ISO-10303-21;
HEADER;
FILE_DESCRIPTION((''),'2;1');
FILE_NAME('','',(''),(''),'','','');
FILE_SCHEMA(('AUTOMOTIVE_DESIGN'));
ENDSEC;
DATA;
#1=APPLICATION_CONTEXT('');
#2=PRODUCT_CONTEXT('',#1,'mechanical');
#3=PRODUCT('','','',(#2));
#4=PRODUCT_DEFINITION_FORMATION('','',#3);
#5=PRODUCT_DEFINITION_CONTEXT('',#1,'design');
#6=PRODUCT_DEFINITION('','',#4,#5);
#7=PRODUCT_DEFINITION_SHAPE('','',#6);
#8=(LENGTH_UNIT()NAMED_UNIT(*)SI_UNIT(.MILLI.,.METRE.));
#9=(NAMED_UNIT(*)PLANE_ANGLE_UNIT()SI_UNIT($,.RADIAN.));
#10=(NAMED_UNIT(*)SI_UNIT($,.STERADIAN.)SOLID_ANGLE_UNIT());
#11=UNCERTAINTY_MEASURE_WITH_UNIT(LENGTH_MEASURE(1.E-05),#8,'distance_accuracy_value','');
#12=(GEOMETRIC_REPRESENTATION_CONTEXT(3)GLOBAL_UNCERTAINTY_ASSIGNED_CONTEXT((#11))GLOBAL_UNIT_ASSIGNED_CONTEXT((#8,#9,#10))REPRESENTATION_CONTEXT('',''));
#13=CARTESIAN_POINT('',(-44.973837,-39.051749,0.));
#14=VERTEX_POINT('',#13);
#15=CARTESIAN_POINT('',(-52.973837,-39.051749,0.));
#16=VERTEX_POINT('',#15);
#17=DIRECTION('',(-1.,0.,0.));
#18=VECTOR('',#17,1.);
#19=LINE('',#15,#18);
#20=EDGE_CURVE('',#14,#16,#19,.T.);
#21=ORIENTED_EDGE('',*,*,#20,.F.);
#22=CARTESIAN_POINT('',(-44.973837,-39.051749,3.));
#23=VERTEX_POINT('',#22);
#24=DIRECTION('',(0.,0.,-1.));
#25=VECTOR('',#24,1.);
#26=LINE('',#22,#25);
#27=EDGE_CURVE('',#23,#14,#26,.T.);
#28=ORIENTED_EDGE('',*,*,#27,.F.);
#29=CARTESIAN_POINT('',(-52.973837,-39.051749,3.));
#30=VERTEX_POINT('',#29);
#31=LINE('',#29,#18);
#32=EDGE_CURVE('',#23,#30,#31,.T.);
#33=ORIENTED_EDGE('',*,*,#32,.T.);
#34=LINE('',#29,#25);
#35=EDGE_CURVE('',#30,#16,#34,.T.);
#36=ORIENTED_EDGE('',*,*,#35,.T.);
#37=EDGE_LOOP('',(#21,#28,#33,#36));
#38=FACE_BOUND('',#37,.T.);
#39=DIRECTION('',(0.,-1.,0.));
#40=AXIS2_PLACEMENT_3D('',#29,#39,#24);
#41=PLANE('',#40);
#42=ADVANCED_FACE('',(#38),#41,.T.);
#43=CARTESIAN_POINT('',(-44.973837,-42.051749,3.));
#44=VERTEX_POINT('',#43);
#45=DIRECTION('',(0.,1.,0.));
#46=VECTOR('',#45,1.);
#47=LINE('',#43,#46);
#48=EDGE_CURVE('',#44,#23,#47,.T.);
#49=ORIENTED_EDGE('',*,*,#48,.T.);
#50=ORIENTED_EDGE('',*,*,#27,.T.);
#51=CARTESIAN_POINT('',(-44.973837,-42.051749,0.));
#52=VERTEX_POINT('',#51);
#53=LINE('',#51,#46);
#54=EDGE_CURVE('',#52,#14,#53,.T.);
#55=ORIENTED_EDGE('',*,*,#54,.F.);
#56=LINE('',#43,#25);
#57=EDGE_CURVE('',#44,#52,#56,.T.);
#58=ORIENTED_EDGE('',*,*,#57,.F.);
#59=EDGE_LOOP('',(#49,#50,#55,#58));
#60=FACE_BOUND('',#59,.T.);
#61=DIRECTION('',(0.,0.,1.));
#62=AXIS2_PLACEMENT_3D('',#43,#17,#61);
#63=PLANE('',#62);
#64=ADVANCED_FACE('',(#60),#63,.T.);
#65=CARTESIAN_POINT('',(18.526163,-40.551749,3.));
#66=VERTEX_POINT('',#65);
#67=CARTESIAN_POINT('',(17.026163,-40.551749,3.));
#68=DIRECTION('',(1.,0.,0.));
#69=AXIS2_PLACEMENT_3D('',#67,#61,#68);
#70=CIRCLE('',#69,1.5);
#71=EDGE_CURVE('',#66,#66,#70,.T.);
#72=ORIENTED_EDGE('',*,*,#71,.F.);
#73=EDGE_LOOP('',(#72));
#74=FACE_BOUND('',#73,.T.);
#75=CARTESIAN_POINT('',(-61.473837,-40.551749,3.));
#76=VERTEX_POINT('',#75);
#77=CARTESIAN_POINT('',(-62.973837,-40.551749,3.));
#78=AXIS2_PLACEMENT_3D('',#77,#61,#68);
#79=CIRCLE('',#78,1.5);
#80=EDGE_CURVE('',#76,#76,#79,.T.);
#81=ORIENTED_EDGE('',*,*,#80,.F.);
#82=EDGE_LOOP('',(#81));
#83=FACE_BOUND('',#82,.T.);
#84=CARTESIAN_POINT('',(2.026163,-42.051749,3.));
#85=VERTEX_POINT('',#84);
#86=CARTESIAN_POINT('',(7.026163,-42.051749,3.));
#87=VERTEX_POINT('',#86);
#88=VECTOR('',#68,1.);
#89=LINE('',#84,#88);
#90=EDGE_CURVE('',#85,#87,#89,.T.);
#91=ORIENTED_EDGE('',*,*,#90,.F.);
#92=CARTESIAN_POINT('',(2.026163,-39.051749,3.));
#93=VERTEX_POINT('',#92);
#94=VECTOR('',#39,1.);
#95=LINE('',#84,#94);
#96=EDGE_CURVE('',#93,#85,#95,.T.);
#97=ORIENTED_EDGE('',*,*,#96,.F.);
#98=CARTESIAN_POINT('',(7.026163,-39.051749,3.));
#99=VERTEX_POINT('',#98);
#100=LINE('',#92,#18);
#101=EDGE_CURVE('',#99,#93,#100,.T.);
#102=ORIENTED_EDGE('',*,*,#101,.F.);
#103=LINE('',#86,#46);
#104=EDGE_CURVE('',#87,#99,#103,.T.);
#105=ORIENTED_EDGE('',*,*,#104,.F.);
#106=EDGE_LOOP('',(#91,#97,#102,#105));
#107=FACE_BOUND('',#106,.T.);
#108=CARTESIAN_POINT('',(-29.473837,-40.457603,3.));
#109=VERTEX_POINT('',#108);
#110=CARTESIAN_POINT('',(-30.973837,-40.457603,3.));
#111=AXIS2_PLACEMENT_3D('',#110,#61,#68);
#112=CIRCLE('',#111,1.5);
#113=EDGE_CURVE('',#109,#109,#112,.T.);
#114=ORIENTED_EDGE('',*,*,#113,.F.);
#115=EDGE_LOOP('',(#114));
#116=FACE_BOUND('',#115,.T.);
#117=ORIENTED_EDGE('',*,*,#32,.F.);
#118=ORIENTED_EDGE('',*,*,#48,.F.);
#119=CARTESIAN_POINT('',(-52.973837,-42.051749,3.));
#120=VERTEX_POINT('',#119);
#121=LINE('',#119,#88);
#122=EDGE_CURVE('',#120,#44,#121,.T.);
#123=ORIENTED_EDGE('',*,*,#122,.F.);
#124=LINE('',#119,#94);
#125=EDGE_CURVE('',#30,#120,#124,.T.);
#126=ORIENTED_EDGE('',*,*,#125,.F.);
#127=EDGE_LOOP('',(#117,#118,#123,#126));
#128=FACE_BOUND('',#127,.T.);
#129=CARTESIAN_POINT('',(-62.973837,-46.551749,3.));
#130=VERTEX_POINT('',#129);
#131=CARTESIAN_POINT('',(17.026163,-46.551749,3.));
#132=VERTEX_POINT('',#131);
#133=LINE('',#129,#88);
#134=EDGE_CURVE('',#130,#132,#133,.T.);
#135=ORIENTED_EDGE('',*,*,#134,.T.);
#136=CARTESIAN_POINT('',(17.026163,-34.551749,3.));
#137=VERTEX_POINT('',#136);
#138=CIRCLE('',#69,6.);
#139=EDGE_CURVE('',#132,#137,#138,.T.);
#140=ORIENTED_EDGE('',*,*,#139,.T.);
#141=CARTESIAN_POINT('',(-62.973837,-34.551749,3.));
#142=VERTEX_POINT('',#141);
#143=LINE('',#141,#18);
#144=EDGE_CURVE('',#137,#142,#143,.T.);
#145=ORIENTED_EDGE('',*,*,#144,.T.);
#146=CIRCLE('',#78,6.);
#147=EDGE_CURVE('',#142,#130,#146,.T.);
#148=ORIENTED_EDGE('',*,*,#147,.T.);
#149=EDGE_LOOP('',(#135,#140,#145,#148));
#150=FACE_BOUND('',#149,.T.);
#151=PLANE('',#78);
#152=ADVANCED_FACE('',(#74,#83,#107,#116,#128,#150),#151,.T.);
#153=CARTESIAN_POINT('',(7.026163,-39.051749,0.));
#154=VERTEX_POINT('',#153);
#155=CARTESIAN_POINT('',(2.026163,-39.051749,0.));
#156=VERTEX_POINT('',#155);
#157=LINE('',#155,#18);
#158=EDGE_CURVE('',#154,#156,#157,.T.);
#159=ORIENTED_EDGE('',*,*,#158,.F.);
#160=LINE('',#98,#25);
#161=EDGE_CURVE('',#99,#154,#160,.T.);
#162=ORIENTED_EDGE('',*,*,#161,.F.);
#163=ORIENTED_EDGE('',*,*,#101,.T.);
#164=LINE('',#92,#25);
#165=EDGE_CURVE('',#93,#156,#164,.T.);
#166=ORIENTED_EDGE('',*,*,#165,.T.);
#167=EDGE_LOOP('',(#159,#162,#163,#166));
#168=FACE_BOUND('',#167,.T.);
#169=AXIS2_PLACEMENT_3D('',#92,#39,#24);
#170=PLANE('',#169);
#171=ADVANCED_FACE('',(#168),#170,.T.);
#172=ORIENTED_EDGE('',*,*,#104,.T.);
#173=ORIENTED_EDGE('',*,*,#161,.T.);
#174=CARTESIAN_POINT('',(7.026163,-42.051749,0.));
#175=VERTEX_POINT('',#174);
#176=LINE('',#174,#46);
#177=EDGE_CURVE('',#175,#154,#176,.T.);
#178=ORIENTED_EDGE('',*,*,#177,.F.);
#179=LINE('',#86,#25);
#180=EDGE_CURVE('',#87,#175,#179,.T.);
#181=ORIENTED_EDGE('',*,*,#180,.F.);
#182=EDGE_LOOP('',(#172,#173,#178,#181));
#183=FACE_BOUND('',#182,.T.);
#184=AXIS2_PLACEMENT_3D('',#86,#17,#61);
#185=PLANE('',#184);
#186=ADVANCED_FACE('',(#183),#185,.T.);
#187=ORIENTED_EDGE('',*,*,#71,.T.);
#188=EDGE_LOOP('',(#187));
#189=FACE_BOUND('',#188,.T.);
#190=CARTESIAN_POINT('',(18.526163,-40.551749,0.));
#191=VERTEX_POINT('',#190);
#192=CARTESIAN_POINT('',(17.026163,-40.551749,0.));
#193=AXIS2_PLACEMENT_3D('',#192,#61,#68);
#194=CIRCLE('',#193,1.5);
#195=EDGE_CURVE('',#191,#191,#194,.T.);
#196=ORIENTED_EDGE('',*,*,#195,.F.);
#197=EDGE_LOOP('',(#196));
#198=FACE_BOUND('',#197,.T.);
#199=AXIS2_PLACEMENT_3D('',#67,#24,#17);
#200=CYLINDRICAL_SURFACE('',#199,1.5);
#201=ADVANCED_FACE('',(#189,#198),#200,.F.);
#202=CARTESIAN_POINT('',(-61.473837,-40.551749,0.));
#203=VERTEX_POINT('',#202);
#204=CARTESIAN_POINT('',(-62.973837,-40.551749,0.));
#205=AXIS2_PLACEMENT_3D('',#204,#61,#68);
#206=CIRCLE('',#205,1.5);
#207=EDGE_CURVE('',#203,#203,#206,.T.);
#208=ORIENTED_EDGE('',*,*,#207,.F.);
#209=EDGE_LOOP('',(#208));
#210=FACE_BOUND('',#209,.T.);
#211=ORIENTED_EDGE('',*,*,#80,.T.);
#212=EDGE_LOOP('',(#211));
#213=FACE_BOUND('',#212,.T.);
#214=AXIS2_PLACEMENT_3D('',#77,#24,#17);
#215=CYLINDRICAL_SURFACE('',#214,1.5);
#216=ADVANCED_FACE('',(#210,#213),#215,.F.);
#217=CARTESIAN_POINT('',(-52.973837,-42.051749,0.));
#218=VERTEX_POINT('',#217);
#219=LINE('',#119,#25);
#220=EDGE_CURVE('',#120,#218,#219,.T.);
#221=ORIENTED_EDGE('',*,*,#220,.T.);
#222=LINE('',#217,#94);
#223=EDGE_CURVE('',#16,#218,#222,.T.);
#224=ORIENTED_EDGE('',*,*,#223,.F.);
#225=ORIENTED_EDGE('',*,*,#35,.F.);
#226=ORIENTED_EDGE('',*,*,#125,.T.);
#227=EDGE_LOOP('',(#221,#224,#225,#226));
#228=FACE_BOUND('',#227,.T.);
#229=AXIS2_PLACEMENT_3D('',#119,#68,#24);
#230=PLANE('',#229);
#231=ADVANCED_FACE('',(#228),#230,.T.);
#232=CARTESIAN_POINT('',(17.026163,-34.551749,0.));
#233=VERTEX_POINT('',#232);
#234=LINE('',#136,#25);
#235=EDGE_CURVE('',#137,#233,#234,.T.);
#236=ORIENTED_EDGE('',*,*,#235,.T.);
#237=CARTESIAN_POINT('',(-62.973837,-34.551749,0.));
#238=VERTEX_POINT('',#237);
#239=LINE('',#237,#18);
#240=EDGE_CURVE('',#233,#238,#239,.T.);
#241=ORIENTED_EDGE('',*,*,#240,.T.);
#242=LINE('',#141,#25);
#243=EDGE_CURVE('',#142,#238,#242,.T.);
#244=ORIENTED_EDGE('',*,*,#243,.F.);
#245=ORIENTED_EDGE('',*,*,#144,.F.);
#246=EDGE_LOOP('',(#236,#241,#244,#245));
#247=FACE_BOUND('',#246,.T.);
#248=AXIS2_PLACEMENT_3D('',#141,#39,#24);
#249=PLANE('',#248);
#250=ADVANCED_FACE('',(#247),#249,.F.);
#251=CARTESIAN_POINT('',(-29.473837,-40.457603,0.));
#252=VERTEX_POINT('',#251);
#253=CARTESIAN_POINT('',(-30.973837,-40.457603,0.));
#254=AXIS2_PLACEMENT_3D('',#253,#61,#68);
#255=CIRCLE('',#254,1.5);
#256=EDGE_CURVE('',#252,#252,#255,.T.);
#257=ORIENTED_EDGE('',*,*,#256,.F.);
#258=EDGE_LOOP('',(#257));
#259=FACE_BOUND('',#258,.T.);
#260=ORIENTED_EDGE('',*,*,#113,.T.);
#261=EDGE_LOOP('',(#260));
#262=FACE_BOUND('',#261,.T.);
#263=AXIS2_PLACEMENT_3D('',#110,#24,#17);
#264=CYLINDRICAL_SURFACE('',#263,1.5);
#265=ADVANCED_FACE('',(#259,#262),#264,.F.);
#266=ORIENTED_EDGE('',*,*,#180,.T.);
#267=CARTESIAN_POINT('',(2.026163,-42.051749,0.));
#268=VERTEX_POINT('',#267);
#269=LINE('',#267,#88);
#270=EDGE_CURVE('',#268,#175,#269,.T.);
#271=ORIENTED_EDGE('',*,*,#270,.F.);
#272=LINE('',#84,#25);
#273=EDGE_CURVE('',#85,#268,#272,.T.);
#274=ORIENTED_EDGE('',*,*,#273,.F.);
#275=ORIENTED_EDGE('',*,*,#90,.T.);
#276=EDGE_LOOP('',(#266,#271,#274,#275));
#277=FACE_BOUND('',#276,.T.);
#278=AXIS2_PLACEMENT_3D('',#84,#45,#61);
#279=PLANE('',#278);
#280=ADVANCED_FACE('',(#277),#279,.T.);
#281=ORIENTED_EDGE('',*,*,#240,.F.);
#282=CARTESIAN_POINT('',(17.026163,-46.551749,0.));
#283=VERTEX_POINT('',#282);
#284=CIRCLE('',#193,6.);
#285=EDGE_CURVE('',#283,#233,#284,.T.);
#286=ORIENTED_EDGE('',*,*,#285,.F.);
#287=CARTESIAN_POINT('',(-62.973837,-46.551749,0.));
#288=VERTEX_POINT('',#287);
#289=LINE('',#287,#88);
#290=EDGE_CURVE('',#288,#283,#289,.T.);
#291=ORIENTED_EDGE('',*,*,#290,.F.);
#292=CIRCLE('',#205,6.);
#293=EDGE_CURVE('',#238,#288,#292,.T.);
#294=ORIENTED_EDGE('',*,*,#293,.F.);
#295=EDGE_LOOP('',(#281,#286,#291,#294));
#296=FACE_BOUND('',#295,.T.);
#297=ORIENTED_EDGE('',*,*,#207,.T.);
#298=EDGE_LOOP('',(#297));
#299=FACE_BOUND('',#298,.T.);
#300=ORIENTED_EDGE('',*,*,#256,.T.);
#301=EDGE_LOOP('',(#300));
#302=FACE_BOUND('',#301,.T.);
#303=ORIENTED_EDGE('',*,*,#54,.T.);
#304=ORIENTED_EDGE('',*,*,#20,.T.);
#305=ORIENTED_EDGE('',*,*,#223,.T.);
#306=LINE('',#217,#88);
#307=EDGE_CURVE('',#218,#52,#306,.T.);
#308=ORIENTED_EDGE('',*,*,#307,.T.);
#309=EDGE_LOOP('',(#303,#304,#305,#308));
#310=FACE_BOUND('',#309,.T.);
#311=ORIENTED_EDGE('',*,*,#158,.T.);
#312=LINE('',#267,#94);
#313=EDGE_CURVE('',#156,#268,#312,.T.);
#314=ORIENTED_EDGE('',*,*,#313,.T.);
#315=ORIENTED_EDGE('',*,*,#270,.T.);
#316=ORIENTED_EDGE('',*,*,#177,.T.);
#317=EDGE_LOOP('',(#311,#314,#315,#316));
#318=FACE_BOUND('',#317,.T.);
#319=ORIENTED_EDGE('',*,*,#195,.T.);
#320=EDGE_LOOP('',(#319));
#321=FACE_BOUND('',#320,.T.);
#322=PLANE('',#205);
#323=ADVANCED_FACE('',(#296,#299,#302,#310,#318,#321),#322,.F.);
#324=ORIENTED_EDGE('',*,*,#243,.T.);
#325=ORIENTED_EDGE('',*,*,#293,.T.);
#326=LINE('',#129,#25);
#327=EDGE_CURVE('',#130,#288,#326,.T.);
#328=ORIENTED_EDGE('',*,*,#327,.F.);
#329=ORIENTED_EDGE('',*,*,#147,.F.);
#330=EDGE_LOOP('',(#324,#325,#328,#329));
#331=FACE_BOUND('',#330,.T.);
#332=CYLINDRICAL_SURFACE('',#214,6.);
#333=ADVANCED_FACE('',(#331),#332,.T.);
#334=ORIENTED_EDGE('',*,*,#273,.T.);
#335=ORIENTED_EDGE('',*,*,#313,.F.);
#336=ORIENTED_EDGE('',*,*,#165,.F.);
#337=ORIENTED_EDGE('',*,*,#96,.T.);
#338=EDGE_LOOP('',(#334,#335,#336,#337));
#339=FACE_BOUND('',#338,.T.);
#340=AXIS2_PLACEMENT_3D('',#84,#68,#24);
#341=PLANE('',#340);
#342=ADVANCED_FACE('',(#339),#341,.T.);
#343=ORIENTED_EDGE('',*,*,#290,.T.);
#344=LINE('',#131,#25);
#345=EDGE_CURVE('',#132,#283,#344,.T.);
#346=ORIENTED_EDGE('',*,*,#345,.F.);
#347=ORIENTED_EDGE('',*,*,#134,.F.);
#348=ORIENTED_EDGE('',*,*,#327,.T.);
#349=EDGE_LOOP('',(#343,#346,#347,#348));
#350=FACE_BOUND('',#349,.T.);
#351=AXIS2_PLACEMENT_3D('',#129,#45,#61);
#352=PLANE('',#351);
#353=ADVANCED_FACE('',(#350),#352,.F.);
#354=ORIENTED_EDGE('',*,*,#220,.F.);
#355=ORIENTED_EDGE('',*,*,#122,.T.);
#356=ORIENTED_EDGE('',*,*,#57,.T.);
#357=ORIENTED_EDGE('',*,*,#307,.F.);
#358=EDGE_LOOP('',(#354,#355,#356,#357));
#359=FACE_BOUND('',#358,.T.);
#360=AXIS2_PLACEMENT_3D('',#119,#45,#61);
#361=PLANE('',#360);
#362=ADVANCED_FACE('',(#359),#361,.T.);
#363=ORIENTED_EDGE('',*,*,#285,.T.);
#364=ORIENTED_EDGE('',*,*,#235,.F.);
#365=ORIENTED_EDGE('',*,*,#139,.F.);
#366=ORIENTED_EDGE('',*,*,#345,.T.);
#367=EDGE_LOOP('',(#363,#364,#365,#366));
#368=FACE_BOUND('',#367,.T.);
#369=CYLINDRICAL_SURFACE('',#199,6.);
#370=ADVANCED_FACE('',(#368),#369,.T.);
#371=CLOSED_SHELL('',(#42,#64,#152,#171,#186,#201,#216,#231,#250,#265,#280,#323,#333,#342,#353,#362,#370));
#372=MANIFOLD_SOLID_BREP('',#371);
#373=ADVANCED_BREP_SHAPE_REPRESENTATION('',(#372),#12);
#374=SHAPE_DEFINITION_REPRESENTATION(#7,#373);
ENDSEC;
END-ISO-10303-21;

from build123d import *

# Parameters (mm, degrees)
ESQUISSE8_R        = 1.5
ESQUISSE8_W        = 8
ESQUISSE8_H        = 3
ESQUISSE8_W_2      = 5
BOSS_EXTRU_8_DEPTH = 3


with BuildPart() as part:
    # Esquisse8 → Boss.-Extru.8 (new body)
    with BuildSketch(Plane.XY):
        with BuildLine():
            Line((-62.973836854, -34.551748671), (17.026163146, -34.551748671))
            ThreePointArc((17.026163146, -34.551748671), (23.026163146, -40.551748671), (17.026163146, -46.551748671))
            Line((17.026163146, -46.551748671), (-62.973836854, -46.551748671))
            ThreePointArc((-62.973836854, -46.551748671), (-68.973836854, -40.551748671), (-62.973836854, -34.551748671))
        make_face()
        with Locations((-62.973836854, -40.551748671)):
            Circle(ESQUISSE8_R, mode=Mode.SUBTRACT)
        with Locations((-30.973836854, -40.457603156)):
            Circle(ESQUISSE8_R, mode=Mode.SUBTRACT)
        with Locations((17.026163146, -40.551748671)):
            Circle(ESQUISSE8_R, mode=Mode.SUBTRACT)
        with Locations((-48.973836854, -40.551748671)):
            Rectangle(ESQUISSE8_W, ESQUISSE8_H, mode=Mode.SUBTRACT)
        with Locations((4.526163146, -40.551748671)):
            Rectangle(ESQUISSE8_W_2, ESQUISSE8_H, mode=Mode.SUBTRACT)
    extrude(amount=BOSS_EXTRU_8_DEPTH)


solid = part.part
